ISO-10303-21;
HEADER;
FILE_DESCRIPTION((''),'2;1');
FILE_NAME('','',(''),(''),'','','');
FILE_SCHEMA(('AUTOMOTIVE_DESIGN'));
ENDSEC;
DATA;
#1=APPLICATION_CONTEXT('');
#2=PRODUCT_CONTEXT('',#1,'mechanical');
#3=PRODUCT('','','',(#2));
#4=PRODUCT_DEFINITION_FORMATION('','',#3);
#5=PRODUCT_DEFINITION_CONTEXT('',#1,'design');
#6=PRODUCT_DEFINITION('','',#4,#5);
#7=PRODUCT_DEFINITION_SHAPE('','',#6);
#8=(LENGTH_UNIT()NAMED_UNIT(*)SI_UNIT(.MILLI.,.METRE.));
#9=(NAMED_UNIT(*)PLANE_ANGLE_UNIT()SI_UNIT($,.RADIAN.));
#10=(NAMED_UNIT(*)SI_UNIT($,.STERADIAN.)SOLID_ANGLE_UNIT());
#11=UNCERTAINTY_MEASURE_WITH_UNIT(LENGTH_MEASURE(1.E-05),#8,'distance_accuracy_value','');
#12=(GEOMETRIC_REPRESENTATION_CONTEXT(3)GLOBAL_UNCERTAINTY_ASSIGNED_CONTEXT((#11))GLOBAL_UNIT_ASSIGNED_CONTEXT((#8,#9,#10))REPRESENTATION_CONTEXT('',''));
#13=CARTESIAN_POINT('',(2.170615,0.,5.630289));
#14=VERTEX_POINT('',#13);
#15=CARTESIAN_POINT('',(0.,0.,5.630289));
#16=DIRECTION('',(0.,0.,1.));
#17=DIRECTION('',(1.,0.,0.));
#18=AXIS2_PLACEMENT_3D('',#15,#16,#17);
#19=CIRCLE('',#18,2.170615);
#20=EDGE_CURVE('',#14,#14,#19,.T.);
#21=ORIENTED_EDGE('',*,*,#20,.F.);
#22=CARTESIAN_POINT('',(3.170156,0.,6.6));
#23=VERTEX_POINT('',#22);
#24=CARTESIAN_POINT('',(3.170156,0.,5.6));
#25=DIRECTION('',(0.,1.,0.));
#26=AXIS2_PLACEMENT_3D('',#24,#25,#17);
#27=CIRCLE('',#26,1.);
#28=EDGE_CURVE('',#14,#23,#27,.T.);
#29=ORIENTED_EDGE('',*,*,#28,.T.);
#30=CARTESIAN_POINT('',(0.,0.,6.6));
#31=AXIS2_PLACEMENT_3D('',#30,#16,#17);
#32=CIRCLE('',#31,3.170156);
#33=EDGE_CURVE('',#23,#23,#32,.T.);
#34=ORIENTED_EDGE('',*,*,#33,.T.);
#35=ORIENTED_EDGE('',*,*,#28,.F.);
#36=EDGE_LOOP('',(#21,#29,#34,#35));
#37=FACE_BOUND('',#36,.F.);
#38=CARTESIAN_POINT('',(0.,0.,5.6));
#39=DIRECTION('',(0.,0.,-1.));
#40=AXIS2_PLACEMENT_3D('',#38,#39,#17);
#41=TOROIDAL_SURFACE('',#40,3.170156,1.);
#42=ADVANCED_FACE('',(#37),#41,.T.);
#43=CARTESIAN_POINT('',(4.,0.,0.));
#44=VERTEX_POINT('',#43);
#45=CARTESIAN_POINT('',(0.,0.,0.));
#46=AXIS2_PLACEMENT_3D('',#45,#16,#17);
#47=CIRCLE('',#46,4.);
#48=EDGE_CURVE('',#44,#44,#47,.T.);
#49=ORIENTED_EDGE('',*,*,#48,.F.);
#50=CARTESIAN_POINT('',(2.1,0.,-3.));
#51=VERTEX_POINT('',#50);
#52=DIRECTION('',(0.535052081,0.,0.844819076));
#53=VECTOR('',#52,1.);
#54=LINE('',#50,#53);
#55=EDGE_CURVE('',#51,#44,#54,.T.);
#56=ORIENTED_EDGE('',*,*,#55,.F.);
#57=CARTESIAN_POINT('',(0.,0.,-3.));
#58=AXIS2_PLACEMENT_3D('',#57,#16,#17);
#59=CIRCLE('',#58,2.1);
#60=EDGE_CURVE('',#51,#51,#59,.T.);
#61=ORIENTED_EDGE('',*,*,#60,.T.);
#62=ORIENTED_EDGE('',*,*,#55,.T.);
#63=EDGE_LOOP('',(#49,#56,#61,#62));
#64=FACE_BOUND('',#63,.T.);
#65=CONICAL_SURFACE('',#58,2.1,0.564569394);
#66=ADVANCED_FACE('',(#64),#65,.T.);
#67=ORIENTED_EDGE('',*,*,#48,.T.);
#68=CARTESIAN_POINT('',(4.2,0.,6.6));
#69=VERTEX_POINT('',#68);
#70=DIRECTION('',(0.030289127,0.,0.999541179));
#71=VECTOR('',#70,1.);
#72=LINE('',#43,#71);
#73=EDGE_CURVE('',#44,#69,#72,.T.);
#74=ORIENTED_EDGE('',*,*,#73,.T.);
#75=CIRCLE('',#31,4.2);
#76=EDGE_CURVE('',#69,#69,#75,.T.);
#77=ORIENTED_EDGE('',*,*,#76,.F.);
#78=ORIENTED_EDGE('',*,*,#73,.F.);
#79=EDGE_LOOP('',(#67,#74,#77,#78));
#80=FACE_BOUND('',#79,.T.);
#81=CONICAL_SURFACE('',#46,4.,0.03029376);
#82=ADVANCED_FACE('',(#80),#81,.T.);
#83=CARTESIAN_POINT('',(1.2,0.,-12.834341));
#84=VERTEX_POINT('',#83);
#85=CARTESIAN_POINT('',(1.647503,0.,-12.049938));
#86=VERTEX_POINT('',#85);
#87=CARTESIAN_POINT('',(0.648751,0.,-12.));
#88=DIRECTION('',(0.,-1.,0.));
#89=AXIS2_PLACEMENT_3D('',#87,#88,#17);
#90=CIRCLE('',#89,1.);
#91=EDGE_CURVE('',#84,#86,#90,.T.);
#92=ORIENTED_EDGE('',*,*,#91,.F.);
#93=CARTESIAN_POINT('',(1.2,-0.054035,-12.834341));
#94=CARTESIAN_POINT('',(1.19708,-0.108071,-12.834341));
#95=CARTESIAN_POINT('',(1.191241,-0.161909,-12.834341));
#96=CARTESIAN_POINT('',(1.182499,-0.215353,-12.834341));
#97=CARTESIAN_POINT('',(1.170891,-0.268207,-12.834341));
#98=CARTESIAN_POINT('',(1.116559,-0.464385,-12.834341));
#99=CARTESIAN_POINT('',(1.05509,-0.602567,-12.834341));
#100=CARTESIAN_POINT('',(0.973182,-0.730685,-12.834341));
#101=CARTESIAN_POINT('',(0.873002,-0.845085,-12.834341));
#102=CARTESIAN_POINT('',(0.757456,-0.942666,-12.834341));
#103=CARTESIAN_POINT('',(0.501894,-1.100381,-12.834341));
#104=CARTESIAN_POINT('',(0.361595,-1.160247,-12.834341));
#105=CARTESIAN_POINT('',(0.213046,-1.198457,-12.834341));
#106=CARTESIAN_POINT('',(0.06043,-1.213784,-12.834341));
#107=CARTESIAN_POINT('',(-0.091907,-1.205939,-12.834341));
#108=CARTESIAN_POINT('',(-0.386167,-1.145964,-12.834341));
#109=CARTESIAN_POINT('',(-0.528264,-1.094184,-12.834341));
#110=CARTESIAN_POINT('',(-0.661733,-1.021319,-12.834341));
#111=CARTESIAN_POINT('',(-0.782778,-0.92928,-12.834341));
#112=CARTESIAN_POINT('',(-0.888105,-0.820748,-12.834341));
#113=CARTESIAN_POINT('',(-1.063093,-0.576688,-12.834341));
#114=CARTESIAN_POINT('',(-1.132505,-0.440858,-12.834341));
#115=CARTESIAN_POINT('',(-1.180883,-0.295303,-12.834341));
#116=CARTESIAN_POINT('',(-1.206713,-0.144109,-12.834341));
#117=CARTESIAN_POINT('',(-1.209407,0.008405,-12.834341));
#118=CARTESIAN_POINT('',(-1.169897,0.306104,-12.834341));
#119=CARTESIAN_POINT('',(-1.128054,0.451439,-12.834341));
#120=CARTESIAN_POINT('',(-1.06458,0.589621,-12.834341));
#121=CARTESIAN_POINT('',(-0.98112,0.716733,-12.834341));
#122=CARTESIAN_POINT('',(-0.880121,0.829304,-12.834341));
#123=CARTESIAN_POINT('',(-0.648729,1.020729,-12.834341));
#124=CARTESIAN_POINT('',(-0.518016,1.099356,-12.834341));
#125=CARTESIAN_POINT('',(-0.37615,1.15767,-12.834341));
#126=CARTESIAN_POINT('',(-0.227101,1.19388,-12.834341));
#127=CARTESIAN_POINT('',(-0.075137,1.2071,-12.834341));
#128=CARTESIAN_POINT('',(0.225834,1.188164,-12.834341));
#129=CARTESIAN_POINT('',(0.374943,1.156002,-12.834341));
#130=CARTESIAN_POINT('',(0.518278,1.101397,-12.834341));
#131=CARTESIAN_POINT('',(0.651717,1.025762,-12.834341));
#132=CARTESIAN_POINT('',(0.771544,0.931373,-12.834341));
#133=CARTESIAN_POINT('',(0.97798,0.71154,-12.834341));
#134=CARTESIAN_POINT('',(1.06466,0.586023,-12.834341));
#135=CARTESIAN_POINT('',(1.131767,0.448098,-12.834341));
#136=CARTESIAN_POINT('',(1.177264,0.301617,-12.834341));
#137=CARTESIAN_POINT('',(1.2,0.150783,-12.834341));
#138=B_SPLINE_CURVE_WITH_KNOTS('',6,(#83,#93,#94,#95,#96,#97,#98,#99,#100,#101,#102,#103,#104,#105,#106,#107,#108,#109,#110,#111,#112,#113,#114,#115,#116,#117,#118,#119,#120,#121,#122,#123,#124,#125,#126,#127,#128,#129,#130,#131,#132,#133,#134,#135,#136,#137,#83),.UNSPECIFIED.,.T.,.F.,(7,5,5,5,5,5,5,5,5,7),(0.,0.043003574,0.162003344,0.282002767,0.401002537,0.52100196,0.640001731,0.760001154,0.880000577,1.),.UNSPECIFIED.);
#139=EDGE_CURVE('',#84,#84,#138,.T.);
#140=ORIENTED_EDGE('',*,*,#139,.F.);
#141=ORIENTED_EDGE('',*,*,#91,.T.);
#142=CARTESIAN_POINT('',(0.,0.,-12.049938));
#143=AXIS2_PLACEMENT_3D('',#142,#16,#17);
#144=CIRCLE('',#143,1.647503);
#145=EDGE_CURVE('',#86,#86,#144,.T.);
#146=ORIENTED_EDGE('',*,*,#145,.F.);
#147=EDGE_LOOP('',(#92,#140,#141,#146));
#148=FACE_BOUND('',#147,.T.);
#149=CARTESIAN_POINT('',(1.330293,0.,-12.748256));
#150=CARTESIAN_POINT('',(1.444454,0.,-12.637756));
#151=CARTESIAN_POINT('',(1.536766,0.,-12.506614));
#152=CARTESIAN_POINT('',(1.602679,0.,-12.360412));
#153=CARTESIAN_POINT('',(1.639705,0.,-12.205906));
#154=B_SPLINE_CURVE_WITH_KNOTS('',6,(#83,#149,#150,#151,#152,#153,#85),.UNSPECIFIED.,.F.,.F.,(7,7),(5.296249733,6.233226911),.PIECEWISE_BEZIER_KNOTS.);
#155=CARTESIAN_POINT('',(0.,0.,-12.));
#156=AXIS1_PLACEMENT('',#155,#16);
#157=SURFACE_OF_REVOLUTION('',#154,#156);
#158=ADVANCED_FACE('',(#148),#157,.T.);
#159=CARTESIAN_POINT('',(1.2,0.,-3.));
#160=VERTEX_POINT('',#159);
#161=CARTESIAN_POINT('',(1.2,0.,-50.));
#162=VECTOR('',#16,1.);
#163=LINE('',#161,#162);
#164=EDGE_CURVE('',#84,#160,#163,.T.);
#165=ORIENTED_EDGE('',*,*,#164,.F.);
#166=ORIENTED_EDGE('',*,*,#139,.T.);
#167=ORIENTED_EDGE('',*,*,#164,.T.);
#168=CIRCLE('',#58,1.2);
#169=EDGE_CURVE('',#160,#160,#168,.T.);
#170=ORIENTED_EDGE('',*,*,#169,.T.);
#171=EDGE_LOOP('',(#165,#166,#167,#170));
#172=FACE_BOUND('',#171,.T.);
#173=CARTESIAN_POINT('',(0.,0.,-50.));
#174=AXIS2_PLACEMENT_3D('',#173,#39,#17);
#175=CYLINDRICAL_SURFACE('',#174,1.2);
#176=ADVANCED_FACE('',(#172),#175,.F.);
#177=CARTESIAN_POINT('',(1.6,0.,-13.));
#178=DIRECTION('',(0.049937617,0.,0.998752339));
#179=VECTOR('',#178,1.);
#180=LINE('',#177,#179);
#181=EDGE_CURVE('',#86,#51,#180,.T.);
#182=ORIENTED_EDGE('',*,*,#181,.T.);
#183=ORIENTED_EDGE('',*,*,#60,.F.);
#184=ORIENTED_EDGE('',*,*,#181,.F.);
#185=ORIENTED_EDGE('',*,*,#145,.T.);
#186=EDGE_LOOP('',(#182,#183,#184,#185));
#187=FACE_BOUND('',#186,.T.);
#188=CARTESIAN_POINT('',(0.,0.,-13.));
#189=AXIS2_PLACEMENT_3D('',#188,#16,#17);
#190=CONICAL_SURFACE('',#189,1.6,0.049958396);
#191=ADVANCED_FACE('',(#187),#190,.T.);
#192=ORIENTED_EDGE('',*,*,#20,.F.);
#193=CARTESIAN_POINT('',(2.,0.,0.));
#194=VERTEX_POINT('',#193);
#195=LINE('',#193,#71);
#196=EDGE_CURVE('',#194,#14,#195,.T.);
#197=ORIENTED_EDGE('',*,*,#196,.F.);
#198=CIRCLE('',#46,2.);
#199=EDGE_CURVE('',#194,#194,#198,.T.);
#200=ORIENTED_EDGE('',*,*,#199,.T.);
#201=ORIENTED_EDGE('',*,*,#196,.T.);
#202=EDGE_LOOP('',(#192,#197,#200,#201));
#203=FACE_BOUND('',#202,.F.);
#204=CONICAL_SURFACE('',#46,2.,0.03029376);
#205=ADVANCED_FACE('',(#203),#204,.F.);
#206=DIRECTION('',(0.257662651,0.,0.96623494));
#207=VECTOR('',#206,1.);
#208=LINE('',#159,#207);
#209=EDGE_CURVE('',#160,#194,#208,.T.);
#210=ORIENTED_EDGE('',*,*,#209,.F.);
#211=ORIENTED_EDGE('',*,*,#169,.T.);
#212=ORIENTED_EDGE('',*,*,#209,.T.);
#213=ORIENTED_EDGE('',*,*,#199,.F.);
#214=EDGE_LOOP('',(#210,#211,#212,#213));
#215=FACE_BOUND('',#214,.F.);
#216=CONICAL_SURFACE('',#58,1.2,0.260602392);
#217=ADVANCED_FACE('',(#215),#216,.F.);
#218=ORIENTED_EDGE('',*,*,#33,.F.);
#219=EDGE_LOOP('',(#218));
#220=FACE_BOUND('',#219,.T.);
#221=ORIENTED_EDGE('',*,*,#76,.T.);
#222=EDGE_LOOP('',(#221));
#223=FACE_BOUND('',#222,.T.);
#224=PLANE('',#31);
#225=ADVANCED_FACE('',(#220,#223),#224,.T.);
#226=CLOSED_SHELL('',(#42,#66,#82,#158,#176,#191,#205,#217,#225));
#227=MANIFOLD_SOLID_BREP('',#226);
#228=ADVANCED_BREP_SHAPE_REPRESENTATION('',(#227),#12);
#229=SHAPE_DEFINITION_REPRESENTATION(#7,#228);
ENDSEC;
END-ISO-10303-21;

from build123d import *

# Parameters (mm, degrees)
CYLINDER116_R     = 1.2
CYLINDER116_DEPTH = 100
FILLET007_R       = 1
FILLET008_R       = 1


with BuildPart() as pipetter_hole:
    # Cylinder116 → Cylinder116 (new body)
    with BuildSketch(Plane.XY.offset(-50)):
        Circle(CYLINDER116_R)
    extrude(amount=CYLINDER116_DEPTH)


with BuildPart() as pipetter_to_tip_hole:
    # Cone004 → Cone004 (revolve)
    with BuildSketch(Plane(origin=(0, 0, -3), x_dir=(1, 0, 0), z_dir=(0, -1, 0))):
        Polygon((0, 0), (1.2, 0), (2, 3), (0, 3), align=None)
    revolve(axis=Axis((0, 0, -3), (0, 0, 1)))


with BuildPart() as syringe_tip_hole_fusion:
    # Cone → Cone (revolve)
    with BuildSketch(Plane.XZ):
        Polygon((0, 0), (2, 0), (2.2, 6.6), (0, 6.6), align=None)
    revolve(axis=Axis((0, 0, 0), (0, 0, 1)))

    # Fusion017: union pipetter hole, pipetter to tip hole
    add(pipetter_hole.part)
    add(pipetter_to_tip_hole.part)


with BuildPart() as pipetter_to_tip_cone:
    # Cone003 → Cone003 (revolve)
    with BuildSketch(Plane(origin=(0, 0, -3), x_dir=(1, 0, 0), z_dir=(0, -1, 0))):
        Polygon((0, 0), (2.1, 0), (4, 3), (0, 3), align=None)
    revolve(axis=Axis((0, 0, -3), (0, 0, 1)))


with BuildPart() as pipetter_external_cone_fillet:
    # Cone002 → Cone002 (revolve)
    with BuildSketch(Plane(origin=(0, 0, -13), x_dir=(1, 0, 0), z_dir=(0, -1, 0))):
        Polygon((0, 0), (1.6, 0), (2.1, 10), (0, 10), align=None)
    revolve(axis=Axis((0, 0, -13), (0, 0, 1)))

    # Fillet007
    fillet007_edges = [pipetter_external_cone_fillet.edges().sort_by_distance(p)[0] for p in [
        (-1.6, 0, -13),
    ]]
    fillet(fillet007_edges, radius=FILLET007_R)


with BuildPart() as syringe_tip_cut_fillet:
    # Cone001 → Cone001 (revolve)
    with BuildSketch(Plane.XZ):
        Polygon((0, 0), (4, 0), (4.2, 6.6), (0, 6.6), align=None)
    revolve(axis=Axis((0, 0, 0), (0, 0, 1)))

    # Fusion016: union pipetter to tip cone, pipetter external cone fillet
    add(pipetter_to_tip_cone.part)
    add(pipetter_external_cone_fillet.part)

    # Cut012: cut syringe tip hole fusion
    add(syringe_tip_hole_fusion.part, mode=Mode.SUBTRACT)

    # Fillet008
    fillet008_edges = [syringe_tip_cut_fillet.edges().sort_by_distance(p)[0] for p in [
        (-2.2, 0, 6.6),
    ]]
    fillet(fillet008_edges, radius=FILLET008_R)


solid = syringe_tip_cut_fillet.part
